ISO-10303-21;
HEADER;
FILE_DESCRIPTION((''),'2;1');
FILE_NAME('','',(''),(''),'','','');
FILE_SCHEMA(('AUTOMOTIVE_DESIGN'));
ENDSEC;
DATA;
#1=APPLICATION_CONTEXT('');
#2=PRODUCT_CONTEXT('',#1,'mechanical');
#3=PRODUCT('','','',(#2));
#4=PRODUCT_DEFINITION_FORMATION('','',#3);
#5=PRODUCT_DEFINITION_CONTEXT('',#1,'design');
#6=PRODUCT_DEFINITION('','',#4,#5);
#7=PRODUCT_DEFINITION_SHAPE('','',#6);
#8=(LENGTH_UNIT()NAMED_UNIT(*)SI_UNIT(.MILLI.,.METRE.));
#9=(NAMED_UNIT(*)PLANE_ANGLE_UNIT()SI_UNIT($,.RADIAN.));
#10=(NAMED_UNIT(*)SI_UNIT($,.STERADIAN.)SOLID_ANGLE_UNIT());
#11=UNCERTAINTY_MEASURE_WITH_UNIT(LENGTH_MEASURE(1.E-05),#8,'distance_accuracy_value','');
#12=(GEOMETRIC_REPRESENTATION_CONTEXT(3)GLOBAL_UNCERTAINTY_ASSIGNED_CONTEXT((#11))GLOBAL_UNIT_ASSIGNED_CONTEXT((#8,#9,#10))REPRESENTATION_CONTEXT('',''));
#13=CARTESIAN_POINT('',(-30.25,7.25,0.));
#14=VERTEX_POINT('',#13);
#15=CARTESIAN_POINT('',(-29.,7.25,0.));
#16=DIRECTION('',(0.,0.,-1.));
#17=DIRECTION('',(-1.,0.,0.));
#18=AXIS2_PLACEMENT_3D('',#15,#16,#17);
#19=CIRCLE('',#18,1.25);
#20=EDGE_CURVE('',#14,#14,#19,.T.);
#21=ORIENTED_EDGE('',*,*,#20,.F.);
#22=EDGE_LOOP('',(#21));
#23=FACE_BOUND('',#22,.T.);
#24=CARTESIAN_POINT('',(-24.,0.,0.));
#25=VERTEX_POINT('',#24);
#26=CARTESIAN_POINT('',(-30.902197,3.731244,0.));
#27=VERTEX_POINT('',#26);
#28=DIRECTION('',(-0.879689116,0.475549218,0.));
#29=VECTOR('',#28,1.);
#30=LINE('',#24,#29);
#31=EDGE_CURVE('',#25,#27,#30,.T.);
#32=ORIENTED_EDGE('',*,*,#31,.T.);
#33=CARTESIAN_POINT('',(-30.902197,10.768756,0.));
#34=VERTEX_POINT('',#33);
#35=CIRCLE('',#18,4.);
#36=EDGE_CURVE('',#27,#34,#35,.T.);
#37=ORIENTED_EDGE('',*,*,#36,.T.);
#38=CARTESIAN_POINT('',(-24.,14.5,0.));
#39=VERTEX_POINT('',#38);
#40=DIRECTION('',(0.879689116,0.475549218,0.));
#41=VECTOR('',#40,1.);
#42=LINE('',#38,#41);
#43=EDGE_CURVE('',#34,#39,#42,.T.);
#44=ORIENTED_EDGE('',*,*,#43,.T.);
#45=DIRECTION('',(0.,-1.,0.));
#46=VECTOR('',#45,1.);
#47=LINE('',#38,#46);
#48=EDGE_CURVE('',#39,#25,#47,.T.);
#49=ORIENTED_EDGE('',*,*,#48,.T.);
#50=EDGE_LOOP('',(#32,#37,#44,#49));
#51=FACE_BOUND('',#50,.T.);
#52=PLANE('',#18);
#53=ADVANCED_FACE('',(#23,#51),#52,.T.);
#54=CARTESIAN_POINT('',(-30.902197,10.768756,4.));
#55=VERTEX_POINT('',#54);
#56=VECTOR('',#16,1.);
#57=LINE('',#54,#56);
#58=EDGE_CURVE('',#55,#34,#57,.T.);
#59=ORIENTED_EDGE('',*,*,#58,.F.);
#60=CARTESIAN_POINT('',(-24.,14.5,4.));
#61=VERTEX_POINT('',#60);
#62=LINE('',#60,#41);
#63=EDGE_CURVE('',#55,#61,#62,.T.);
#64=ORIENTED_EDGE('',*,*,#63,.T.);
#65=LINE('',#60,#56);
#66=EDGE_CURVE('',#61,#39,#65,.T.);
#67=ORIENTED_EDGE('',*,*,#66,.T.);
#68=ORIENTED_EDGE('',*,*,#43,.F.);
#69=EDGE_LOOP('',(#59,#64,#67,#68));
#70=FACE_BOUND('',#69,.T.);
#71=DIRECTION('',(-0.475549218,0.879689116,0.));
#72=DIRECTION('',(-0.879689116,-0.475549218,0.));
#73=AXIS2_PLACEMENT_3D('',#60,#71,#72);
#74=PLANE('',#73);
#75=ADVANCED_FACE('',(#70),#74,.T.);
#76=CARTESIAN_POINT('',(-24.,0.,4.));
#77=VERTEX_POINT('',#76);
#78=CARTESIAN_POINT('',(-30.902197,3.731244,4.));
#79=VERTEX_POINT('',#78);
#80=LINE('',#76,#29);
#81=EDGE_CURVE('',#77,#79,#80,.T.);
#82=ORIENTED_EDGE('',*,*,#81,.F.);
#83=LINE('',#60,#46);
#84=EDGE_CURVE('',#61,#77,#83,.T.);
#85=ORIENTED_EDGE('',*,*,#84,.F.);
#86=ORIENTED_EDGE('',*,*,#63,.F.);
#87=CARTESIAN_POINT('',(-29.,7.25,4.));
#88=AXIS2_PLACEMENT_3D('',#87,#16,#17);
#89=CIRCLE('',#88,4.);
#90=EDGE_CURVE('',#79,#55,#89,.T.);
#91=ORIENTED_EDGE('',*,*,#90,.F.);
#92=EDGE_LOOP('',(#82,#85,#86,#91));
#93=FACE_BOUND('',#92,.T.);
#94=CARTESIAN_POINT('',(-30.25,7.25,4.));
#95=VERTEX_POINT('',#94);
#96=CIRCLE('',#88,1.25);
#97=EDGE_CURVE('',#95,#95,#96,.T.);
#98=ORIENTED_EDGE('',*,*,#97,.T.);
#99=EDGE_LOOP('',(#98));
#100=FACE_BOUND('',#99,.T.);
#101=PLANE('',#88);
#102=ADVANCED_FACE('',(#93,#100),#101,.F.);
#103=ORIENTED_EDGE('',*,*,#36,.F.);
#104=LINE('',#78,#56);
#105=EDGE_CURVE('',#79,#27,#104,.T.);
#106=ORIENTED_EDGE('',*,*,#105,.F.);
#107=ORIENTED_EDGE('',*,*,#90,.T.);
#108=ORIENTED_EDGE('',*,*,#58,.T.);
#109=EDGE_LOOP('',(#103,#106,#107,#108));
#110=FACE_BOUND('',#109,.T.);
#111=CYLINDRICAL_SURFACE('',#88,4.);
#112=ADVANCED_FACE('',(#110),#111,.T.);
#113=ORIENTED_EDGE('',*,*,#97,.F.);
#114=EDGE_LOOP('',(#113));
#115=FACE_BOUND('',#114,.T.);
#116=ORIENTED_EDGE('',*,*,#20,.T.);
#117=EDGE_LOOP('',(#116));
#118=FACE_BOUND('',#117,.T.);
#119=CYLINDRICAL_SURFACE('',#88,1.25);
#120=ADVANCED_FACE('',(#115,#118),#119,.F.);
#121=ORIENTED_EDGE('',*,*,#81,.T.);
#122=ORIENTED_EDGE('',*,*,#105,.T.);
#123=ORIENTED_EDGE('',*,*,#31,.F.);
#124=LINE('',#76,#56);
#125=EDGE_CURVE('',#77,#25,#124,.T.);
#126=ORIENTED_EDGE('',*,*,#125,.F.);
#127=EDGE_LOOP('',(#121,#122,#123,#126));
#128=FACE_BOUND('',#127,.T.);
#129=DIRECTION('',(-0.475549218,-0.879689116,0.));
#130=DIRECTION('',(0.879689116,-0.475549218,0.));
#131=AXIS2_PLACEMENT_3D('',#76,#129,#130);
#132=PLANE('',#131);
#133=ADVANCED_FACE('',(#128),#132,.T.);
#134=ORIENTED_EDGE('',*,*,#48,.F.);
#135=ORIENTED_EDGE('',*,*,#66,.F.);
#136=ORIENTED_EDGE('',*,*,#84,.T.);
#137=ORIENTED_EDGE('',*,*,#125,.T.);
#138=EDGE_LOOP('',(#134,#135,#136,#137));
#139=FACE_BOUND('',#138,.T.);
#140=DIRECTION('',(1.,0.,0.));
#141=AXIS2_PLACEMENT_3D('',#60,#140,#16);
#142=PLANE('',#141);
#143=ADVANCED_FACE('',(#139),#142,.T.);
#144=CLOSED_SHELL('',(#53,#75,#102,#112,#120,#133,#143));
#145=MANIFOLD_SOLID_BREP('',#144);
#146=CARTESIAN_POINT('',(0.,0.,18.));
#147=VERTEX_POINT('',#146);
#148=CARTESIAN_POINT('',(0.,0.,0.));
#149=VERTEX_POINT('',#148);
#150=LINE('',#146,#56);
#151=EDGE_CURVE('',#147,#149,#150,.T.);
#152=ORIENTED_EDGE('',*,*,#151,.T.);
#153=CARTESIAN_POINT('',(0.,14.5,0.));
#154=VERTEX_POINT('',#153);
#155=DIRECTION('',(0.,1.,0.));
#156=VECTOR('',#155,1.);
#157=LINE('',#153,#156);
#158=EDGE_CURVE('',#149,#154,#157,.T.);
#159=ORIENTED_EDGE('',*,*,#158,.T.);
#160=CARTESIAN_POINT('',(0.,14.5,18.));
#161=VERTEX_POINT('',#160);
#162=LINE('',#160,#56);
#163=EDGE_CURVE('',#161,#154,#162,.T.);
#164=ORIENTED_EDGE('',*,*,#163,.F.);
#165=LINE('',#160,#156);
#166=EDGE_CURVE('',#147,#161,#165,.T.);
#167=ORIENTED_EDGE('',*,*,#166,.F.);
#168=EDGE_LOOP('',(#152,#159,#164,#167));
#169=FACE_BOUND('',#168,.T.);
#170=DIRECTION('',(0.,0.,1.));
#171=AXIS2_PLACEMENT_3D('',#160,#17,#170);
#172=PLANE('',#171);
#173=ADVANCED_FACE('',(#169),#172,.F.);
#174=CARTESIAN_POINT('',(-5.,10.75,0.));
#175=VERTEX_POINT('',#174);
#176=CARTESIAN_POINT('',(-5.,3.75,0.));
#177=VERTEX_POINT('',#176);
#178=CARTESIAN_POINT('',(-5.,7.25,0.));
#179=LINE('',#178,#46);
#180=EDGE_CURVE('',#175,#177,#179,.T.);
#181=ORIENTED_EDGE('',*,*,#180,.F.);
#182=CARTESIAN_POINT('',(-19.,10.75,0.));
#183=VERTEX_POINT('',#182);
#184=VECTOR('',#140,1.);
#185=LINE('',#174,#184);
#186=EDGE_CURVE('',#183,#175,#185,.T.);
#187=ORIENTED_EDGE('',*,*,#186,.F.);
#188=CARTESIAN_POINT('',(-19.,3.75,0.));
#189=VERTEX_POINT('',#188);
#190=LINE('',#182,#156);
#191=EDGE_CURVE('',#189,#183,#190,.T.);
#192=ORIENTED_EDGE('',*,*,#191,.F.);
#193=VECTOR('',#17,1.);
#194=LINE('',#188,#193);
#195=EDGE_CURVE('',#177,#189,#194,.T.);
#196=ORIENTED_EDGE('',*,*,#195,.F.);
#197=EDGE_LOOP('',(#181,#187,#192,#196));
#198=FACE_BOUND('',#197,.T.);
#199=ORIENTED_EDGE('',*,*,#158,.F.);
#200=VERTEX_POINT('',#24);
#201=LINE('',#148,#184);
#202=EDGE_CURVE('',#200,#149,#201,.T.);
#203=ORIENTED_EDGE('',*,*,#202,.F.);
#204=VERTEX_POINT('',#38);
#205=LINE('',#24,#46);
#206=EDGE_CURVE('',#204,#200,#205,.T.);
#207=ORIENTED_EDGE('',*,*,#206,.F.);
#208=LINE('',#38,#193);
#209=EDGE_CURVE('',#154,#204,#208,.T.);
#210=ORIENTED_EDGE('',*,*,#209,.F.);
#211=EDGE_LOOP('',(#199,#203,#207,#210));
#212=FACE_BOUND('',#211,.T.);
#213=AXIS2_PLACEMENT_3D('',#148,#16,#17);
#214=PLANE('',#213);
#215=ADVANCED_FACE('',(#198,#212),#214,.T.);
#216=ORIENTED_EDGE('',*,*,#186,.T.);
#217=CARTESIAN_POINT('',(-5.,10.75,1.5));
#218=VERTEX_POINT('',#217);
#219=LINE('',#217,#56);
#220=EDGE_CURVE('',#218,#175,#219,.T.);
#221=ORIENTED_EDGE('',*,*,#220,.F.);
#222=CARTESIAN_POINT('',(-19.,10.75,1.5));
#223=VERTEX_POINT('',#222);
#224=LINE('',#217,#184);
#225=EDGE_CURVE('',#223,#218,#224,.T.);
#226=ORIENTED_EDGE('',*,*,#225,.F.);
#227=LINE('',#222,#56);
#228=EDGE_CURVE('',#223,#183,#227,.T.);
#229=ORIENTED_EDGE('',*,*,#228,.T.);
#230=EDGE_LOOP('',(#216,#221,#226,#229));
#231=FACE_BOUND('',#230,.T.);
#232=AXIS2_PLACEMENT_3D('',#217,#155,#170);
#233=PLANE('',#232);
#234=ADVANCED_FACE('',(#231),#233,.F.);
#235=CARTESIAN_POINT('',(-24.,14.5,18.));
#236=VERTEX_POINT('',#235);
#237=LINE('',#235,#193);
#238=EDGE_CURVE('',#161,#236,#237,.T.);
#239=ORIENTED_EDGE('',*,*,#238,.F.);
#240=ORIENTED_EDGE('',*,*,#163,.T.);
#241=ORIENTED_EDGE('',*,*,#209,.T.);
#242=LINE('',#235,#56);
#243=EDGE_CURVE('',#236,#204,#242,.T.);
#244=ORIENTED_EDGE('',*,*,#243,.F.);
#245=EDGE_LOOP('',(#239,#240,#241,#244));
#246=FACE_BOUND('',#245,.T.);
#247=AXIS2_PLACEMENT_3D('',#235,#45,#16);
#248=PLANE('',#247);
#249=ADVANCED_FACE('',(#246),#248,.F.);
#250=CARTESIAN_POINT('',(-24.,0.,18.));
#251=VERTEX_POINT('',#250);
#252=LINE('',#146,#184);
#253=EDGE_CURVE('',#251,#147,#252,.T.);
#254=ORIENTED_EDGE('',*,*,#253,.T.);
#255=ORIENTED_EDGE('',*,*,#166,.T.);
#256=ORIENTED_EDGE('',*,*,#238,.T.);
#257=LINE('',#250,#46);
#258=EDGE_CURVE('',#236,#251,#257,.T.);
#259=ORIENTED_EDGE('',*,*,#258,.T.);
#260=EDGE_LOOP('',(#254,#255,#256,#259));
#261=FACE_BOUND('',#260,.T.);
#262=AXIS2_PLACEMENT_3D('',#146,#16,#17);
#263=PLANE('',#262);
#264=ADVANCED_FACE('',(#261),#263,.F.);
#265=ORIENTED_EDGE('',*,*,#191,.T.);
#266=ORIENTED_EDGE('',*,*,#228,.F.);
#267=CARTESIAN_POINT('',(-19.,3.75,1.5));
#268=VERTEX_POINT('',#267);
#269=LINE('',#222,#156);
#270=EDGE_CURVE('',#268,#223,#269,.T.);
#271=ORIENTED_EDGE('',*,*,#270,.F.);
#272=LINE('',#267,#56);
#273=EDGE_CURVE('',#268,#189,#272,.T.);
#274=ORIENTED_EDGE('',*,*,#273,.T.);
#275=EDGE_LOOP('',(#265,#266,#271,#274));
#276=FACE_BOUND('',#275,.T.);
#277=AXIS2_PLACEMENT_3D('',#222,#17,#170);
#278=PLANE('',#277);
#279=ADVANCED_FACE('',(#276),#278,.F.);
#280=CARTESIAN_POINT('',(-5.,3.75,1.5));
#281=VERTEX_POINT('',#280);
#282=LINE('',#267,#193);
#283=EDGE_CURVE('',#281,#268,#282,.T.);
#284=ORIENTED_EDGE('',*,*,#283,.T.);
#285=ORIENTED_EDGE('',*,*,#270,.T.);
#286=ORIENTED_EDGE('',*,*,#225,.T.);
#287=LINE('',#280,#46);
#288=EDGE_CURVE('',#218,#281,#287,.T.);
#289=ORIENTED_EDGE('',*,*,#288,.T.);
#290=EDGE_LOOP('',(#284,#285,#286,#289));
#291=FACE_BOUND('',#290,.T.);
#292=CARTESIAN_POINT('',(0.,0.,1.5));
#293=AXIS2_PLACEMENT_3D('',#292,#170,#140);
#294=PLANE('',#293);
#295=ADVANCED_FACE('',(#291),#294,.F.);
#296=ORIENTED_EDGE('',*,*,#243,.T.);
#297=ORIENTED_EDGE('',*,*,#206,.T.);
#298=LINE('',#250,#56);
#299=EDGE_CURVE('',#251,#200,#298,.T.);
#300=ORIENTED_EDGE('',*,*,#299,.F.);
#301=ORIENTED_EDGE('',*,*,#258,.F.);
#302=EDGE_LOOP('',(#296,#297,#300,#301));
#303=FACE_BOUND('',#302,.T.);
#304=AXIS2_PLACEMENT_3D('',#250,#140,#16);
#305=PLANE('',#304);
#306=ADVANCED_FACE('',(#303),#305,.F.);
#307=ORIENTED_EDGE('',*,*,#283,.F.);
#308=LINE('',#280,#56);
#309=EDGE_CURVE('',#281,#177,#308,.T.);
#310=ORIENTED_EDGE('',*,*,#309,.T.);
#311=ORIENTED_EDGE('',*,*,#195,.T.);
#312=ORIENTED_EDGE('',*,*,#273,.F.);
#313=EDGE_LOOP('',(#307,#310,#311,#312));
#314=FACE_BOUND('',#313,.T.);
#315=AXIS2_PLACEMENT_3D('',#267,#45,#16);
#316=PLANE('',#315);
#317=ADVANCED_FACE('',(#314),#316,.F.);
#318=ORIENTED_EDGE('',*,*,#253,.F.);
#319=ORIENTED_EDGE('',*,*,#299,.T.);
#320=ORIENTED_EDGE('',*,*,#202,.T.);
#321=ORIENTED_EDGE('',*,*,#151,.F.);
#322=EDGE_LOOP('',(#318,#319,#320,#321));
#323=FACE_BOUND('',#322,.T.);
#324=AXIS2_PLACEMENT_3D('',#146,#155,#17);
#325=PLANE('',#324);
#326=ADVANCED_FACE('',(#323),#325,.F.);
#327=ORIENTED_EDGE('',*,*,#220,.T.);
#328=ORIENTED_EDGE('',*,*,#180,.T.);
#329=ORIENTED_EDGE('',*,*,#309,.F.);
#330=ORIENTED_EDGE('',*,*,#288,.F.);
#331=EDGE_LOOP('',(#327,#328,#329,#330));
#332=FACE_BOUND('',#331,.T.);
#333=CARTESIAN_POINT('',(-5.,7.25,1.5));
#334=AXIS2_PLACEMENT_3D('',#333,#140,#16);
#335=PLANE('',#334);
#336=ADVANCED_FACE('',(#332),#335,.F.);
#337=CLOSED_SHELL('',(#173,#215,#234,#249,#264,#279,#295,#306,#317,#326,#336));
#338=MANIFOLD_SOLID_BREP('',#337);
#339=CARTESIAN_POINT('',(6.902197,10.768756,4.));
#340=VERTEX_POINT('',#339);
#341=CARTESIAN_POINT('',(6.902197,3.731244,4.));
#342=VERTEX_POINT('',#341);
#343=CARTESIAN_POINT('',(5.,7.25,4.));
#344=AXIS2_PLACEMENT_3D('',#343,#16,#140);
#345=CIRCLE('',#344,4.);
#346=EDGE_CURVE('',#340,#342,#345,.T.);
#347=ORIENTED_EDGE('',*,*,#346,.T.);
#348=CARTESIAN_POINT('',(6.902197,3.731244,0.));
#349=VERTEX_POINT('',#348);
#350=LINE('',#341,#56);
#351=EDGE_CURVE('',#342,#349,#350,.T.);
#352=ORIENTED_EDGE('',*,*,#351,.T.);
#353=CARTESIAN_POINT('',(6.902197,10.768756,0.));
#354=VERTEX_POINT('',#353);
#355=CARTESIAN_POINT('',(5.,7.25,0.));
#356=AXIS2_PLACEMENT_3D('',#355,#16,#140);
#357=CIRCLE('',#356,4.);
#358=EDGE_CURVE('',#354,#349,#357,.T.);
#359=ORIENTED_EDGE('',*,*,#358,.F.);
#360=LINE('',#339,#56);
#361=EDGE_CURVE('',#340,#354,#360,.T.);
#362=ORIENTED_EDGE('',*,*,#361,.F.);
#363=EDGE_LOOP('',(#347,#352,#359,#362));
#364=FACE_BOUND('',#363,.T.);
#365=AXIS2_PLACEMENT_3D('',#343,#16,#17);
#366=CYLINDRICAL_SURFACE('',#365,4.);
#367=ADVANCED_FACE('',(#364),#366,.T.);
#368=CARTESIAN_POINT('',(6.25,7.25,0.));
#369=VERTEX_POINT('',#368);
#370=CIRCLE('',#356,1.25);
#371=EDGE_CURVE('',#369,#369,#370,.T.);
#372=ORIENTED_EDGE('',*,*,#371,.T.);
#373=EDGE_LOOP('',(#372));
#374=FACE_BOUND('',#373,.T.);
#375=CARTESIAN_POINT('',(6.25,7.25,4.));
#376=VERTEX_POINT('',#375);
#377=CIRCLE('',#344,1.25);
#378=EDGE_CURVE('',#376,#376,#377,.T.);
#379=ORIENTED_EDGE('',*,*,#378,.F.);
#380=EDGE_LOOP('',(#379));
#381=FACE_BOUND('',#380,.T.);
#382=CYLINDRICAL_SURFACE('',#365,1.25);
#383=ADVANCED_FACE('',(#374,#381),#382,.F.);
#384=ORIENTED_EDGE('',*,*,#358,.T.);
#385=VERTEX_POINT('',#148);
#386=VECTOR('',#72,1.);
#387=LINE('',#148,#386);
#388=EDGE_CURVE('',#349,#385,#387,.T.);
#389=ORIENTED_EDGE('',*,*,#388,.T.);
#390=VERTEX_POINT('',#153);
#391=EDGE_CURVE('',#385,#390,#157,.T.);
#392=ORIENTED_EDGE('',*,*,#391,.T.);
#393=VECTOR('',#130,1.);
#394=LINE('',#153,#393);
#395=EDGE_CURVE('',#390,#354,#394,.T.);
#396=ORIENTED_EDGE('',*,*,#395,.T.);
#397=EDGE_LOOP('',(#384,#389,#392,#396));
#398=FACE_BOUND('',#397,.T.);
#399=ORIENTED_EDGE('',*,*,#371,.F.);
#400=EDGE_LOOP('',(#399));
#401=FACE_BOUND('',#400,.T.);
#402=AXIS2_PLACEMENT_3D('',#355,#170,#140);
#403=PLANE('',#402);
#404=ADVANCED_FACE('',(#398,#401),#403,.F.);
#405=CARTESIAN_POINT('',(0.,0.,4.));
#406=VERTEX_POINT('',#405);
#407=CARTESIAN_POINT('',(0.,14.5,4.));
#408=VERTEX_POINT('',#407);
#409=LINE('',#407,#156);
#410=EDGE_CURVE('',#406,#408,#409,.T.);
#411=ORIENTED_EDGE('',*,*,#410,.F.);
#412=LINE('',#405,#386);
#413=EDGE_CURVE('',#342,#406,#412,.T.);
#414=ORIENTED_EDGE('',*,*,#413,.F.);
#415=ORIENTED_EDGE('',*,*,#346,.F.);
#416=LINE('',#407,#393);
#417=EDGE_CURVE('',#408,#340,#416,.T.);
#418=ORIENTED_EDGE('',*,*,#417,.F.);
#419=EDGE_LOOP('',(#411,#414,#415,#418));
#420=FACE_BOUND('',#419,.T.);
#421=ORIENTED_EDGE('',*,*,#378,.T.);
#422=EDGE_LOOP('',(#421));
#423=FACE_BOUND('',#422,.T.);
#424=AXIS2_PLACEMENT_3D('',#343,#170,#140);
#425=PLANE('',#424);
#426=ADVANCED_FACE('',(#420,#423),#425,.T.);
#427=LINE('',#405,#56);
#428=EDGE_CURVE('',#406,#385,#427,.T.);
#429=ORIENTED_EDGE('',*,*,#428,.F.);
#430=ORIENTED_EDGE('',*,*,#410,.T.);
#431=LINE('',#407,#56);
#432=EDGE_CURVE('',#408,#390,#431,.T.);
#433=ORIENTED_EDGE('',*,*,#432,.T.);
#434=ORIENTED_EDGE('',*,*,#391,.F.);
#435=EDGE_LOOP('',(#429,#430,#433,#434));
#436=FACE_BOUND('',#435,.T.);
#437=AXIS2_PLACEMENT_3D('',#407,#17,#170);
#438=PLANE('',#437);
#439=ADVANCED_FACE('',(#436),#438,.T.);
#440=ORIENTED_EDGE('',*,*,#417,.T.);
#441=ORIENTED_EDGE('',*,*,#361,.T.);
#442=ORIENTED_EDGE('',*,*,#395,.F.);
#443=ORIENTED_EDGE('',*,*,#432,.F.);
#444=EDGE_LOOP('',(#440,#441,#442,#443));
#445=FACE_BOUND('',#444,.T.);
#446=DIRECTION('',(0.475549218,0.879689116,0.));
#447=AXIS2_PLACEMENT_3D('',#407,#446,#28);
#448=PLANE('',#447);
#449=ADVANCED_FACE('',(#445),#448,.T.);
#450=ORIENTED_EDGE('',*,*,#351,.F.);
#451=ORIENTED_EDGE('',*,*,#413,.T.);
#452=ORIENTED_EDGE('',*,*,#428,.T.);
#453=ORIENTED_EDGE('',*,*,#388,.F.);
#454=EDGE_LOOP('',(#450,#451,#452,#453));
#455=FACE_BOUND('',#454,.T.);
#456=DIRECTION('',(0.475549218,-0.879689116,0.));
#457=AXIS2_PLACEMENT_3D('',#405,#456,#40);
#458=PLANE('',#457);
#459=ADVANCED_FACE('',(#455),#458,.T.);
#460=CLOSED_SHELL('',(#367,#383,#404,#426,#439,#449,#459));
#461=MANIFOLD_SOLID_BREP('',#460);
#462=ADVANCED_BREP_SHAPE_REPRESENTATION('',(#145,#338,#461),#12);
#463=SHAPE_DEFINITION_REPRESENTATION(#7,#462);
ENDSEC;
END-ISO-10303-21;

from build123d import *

# Parameters (mm, degrees)
SKETCH_1_W          = 24
SKETCH_1_H          = 14.5
EXTRUDE_1_DEPTH     = 18
SKETCH_2_R          = 1.25
EXTRUDE_2_DEPTH     = 4
EXTRUDE_2_2_DEPTH   = 4
CUT_EXTRUDE_1_DEPTH = 1.5


with BuildPart() as part:
    # Эскиз1 → Бобышка-Вытянуть1 (new body)
    with BuildSketch(Plane.XY):
        with Locations((-12, 7.25)):
            Rectangle(SKETCH_1_W, SKETCH_1_H)
    extrude(amount=EXTRUDE_1_DEPTH)

    # Эскиз3 → Вырез-Вытянуть1 (cut)
    with BuildSketch(Plane(origin=(0, 0, 0), x_dir=(-1, 0, 0), z_dir=(0, 0, -1))):
        Polygon((5, 7.25), (5, 10.75), (19, 10.75), (19, 3.75), (5, 3.75), align=None)
    extrude(amount=-CUT_EXTRUDE_1_DEPTH, mode=Mode.SUBTRACT)


with BuildPart() as body_2:
    # Эскиз2 → Бобышка-Вытянуть2 (new body)
    with BuildSketch(Plane(origin=(0, 0, 0), x_dir=(-1, 0, 0), z_dir=(0, 0, -1))):
        with BuildLine():
            Line((24, 14.5), (24, 0))
            Line((24, 0), (30.902196873, 3.731243536))
            ThreePointArc((30.902196873, 3.731243536), (33, 7.25), (30.902196873, 10.768756464))
            Line((30.902196873, 10.768756464), (24, 14.5))
        make_face()
        with Locations((29, 7.25)):
            Circle(SKETCH_2_R, mode=Mode.SUBTRACT)
    extrude(amount=-EXTRUDE_2_DEPTH)


with BuildPart() as body_3:
    # Эскиз2 → Extrude 2 2 (new body)
    with BuildSketch(Plane(origin=(0, 0, 0), x_dir=(-1, 0, 0), z_dir=(0, 0, -1))):
        with BuildLine():
            Line((0, 0), (-6.902196873, 3.731243536))
            ThreePointArc((-6.902196873, 3.731243536), (-9, 7.25), (-6.902196873, 10.768756464))
            Line((-6.902196873, 10.768756464), (0, 14.5))
            Line((0, 14.5), (0, 0))
        make_face()
        with Locations(Location((-5, 7.25, 0), (0, 0, 180))):
            Circle(SKETCH_2_R, mode=Mode.SUBTRACT)
    extrude(amount=-EXTRUDE_2_2_DEPTH)


solid = Compound([part.part, body_2.part, body_3.part])
